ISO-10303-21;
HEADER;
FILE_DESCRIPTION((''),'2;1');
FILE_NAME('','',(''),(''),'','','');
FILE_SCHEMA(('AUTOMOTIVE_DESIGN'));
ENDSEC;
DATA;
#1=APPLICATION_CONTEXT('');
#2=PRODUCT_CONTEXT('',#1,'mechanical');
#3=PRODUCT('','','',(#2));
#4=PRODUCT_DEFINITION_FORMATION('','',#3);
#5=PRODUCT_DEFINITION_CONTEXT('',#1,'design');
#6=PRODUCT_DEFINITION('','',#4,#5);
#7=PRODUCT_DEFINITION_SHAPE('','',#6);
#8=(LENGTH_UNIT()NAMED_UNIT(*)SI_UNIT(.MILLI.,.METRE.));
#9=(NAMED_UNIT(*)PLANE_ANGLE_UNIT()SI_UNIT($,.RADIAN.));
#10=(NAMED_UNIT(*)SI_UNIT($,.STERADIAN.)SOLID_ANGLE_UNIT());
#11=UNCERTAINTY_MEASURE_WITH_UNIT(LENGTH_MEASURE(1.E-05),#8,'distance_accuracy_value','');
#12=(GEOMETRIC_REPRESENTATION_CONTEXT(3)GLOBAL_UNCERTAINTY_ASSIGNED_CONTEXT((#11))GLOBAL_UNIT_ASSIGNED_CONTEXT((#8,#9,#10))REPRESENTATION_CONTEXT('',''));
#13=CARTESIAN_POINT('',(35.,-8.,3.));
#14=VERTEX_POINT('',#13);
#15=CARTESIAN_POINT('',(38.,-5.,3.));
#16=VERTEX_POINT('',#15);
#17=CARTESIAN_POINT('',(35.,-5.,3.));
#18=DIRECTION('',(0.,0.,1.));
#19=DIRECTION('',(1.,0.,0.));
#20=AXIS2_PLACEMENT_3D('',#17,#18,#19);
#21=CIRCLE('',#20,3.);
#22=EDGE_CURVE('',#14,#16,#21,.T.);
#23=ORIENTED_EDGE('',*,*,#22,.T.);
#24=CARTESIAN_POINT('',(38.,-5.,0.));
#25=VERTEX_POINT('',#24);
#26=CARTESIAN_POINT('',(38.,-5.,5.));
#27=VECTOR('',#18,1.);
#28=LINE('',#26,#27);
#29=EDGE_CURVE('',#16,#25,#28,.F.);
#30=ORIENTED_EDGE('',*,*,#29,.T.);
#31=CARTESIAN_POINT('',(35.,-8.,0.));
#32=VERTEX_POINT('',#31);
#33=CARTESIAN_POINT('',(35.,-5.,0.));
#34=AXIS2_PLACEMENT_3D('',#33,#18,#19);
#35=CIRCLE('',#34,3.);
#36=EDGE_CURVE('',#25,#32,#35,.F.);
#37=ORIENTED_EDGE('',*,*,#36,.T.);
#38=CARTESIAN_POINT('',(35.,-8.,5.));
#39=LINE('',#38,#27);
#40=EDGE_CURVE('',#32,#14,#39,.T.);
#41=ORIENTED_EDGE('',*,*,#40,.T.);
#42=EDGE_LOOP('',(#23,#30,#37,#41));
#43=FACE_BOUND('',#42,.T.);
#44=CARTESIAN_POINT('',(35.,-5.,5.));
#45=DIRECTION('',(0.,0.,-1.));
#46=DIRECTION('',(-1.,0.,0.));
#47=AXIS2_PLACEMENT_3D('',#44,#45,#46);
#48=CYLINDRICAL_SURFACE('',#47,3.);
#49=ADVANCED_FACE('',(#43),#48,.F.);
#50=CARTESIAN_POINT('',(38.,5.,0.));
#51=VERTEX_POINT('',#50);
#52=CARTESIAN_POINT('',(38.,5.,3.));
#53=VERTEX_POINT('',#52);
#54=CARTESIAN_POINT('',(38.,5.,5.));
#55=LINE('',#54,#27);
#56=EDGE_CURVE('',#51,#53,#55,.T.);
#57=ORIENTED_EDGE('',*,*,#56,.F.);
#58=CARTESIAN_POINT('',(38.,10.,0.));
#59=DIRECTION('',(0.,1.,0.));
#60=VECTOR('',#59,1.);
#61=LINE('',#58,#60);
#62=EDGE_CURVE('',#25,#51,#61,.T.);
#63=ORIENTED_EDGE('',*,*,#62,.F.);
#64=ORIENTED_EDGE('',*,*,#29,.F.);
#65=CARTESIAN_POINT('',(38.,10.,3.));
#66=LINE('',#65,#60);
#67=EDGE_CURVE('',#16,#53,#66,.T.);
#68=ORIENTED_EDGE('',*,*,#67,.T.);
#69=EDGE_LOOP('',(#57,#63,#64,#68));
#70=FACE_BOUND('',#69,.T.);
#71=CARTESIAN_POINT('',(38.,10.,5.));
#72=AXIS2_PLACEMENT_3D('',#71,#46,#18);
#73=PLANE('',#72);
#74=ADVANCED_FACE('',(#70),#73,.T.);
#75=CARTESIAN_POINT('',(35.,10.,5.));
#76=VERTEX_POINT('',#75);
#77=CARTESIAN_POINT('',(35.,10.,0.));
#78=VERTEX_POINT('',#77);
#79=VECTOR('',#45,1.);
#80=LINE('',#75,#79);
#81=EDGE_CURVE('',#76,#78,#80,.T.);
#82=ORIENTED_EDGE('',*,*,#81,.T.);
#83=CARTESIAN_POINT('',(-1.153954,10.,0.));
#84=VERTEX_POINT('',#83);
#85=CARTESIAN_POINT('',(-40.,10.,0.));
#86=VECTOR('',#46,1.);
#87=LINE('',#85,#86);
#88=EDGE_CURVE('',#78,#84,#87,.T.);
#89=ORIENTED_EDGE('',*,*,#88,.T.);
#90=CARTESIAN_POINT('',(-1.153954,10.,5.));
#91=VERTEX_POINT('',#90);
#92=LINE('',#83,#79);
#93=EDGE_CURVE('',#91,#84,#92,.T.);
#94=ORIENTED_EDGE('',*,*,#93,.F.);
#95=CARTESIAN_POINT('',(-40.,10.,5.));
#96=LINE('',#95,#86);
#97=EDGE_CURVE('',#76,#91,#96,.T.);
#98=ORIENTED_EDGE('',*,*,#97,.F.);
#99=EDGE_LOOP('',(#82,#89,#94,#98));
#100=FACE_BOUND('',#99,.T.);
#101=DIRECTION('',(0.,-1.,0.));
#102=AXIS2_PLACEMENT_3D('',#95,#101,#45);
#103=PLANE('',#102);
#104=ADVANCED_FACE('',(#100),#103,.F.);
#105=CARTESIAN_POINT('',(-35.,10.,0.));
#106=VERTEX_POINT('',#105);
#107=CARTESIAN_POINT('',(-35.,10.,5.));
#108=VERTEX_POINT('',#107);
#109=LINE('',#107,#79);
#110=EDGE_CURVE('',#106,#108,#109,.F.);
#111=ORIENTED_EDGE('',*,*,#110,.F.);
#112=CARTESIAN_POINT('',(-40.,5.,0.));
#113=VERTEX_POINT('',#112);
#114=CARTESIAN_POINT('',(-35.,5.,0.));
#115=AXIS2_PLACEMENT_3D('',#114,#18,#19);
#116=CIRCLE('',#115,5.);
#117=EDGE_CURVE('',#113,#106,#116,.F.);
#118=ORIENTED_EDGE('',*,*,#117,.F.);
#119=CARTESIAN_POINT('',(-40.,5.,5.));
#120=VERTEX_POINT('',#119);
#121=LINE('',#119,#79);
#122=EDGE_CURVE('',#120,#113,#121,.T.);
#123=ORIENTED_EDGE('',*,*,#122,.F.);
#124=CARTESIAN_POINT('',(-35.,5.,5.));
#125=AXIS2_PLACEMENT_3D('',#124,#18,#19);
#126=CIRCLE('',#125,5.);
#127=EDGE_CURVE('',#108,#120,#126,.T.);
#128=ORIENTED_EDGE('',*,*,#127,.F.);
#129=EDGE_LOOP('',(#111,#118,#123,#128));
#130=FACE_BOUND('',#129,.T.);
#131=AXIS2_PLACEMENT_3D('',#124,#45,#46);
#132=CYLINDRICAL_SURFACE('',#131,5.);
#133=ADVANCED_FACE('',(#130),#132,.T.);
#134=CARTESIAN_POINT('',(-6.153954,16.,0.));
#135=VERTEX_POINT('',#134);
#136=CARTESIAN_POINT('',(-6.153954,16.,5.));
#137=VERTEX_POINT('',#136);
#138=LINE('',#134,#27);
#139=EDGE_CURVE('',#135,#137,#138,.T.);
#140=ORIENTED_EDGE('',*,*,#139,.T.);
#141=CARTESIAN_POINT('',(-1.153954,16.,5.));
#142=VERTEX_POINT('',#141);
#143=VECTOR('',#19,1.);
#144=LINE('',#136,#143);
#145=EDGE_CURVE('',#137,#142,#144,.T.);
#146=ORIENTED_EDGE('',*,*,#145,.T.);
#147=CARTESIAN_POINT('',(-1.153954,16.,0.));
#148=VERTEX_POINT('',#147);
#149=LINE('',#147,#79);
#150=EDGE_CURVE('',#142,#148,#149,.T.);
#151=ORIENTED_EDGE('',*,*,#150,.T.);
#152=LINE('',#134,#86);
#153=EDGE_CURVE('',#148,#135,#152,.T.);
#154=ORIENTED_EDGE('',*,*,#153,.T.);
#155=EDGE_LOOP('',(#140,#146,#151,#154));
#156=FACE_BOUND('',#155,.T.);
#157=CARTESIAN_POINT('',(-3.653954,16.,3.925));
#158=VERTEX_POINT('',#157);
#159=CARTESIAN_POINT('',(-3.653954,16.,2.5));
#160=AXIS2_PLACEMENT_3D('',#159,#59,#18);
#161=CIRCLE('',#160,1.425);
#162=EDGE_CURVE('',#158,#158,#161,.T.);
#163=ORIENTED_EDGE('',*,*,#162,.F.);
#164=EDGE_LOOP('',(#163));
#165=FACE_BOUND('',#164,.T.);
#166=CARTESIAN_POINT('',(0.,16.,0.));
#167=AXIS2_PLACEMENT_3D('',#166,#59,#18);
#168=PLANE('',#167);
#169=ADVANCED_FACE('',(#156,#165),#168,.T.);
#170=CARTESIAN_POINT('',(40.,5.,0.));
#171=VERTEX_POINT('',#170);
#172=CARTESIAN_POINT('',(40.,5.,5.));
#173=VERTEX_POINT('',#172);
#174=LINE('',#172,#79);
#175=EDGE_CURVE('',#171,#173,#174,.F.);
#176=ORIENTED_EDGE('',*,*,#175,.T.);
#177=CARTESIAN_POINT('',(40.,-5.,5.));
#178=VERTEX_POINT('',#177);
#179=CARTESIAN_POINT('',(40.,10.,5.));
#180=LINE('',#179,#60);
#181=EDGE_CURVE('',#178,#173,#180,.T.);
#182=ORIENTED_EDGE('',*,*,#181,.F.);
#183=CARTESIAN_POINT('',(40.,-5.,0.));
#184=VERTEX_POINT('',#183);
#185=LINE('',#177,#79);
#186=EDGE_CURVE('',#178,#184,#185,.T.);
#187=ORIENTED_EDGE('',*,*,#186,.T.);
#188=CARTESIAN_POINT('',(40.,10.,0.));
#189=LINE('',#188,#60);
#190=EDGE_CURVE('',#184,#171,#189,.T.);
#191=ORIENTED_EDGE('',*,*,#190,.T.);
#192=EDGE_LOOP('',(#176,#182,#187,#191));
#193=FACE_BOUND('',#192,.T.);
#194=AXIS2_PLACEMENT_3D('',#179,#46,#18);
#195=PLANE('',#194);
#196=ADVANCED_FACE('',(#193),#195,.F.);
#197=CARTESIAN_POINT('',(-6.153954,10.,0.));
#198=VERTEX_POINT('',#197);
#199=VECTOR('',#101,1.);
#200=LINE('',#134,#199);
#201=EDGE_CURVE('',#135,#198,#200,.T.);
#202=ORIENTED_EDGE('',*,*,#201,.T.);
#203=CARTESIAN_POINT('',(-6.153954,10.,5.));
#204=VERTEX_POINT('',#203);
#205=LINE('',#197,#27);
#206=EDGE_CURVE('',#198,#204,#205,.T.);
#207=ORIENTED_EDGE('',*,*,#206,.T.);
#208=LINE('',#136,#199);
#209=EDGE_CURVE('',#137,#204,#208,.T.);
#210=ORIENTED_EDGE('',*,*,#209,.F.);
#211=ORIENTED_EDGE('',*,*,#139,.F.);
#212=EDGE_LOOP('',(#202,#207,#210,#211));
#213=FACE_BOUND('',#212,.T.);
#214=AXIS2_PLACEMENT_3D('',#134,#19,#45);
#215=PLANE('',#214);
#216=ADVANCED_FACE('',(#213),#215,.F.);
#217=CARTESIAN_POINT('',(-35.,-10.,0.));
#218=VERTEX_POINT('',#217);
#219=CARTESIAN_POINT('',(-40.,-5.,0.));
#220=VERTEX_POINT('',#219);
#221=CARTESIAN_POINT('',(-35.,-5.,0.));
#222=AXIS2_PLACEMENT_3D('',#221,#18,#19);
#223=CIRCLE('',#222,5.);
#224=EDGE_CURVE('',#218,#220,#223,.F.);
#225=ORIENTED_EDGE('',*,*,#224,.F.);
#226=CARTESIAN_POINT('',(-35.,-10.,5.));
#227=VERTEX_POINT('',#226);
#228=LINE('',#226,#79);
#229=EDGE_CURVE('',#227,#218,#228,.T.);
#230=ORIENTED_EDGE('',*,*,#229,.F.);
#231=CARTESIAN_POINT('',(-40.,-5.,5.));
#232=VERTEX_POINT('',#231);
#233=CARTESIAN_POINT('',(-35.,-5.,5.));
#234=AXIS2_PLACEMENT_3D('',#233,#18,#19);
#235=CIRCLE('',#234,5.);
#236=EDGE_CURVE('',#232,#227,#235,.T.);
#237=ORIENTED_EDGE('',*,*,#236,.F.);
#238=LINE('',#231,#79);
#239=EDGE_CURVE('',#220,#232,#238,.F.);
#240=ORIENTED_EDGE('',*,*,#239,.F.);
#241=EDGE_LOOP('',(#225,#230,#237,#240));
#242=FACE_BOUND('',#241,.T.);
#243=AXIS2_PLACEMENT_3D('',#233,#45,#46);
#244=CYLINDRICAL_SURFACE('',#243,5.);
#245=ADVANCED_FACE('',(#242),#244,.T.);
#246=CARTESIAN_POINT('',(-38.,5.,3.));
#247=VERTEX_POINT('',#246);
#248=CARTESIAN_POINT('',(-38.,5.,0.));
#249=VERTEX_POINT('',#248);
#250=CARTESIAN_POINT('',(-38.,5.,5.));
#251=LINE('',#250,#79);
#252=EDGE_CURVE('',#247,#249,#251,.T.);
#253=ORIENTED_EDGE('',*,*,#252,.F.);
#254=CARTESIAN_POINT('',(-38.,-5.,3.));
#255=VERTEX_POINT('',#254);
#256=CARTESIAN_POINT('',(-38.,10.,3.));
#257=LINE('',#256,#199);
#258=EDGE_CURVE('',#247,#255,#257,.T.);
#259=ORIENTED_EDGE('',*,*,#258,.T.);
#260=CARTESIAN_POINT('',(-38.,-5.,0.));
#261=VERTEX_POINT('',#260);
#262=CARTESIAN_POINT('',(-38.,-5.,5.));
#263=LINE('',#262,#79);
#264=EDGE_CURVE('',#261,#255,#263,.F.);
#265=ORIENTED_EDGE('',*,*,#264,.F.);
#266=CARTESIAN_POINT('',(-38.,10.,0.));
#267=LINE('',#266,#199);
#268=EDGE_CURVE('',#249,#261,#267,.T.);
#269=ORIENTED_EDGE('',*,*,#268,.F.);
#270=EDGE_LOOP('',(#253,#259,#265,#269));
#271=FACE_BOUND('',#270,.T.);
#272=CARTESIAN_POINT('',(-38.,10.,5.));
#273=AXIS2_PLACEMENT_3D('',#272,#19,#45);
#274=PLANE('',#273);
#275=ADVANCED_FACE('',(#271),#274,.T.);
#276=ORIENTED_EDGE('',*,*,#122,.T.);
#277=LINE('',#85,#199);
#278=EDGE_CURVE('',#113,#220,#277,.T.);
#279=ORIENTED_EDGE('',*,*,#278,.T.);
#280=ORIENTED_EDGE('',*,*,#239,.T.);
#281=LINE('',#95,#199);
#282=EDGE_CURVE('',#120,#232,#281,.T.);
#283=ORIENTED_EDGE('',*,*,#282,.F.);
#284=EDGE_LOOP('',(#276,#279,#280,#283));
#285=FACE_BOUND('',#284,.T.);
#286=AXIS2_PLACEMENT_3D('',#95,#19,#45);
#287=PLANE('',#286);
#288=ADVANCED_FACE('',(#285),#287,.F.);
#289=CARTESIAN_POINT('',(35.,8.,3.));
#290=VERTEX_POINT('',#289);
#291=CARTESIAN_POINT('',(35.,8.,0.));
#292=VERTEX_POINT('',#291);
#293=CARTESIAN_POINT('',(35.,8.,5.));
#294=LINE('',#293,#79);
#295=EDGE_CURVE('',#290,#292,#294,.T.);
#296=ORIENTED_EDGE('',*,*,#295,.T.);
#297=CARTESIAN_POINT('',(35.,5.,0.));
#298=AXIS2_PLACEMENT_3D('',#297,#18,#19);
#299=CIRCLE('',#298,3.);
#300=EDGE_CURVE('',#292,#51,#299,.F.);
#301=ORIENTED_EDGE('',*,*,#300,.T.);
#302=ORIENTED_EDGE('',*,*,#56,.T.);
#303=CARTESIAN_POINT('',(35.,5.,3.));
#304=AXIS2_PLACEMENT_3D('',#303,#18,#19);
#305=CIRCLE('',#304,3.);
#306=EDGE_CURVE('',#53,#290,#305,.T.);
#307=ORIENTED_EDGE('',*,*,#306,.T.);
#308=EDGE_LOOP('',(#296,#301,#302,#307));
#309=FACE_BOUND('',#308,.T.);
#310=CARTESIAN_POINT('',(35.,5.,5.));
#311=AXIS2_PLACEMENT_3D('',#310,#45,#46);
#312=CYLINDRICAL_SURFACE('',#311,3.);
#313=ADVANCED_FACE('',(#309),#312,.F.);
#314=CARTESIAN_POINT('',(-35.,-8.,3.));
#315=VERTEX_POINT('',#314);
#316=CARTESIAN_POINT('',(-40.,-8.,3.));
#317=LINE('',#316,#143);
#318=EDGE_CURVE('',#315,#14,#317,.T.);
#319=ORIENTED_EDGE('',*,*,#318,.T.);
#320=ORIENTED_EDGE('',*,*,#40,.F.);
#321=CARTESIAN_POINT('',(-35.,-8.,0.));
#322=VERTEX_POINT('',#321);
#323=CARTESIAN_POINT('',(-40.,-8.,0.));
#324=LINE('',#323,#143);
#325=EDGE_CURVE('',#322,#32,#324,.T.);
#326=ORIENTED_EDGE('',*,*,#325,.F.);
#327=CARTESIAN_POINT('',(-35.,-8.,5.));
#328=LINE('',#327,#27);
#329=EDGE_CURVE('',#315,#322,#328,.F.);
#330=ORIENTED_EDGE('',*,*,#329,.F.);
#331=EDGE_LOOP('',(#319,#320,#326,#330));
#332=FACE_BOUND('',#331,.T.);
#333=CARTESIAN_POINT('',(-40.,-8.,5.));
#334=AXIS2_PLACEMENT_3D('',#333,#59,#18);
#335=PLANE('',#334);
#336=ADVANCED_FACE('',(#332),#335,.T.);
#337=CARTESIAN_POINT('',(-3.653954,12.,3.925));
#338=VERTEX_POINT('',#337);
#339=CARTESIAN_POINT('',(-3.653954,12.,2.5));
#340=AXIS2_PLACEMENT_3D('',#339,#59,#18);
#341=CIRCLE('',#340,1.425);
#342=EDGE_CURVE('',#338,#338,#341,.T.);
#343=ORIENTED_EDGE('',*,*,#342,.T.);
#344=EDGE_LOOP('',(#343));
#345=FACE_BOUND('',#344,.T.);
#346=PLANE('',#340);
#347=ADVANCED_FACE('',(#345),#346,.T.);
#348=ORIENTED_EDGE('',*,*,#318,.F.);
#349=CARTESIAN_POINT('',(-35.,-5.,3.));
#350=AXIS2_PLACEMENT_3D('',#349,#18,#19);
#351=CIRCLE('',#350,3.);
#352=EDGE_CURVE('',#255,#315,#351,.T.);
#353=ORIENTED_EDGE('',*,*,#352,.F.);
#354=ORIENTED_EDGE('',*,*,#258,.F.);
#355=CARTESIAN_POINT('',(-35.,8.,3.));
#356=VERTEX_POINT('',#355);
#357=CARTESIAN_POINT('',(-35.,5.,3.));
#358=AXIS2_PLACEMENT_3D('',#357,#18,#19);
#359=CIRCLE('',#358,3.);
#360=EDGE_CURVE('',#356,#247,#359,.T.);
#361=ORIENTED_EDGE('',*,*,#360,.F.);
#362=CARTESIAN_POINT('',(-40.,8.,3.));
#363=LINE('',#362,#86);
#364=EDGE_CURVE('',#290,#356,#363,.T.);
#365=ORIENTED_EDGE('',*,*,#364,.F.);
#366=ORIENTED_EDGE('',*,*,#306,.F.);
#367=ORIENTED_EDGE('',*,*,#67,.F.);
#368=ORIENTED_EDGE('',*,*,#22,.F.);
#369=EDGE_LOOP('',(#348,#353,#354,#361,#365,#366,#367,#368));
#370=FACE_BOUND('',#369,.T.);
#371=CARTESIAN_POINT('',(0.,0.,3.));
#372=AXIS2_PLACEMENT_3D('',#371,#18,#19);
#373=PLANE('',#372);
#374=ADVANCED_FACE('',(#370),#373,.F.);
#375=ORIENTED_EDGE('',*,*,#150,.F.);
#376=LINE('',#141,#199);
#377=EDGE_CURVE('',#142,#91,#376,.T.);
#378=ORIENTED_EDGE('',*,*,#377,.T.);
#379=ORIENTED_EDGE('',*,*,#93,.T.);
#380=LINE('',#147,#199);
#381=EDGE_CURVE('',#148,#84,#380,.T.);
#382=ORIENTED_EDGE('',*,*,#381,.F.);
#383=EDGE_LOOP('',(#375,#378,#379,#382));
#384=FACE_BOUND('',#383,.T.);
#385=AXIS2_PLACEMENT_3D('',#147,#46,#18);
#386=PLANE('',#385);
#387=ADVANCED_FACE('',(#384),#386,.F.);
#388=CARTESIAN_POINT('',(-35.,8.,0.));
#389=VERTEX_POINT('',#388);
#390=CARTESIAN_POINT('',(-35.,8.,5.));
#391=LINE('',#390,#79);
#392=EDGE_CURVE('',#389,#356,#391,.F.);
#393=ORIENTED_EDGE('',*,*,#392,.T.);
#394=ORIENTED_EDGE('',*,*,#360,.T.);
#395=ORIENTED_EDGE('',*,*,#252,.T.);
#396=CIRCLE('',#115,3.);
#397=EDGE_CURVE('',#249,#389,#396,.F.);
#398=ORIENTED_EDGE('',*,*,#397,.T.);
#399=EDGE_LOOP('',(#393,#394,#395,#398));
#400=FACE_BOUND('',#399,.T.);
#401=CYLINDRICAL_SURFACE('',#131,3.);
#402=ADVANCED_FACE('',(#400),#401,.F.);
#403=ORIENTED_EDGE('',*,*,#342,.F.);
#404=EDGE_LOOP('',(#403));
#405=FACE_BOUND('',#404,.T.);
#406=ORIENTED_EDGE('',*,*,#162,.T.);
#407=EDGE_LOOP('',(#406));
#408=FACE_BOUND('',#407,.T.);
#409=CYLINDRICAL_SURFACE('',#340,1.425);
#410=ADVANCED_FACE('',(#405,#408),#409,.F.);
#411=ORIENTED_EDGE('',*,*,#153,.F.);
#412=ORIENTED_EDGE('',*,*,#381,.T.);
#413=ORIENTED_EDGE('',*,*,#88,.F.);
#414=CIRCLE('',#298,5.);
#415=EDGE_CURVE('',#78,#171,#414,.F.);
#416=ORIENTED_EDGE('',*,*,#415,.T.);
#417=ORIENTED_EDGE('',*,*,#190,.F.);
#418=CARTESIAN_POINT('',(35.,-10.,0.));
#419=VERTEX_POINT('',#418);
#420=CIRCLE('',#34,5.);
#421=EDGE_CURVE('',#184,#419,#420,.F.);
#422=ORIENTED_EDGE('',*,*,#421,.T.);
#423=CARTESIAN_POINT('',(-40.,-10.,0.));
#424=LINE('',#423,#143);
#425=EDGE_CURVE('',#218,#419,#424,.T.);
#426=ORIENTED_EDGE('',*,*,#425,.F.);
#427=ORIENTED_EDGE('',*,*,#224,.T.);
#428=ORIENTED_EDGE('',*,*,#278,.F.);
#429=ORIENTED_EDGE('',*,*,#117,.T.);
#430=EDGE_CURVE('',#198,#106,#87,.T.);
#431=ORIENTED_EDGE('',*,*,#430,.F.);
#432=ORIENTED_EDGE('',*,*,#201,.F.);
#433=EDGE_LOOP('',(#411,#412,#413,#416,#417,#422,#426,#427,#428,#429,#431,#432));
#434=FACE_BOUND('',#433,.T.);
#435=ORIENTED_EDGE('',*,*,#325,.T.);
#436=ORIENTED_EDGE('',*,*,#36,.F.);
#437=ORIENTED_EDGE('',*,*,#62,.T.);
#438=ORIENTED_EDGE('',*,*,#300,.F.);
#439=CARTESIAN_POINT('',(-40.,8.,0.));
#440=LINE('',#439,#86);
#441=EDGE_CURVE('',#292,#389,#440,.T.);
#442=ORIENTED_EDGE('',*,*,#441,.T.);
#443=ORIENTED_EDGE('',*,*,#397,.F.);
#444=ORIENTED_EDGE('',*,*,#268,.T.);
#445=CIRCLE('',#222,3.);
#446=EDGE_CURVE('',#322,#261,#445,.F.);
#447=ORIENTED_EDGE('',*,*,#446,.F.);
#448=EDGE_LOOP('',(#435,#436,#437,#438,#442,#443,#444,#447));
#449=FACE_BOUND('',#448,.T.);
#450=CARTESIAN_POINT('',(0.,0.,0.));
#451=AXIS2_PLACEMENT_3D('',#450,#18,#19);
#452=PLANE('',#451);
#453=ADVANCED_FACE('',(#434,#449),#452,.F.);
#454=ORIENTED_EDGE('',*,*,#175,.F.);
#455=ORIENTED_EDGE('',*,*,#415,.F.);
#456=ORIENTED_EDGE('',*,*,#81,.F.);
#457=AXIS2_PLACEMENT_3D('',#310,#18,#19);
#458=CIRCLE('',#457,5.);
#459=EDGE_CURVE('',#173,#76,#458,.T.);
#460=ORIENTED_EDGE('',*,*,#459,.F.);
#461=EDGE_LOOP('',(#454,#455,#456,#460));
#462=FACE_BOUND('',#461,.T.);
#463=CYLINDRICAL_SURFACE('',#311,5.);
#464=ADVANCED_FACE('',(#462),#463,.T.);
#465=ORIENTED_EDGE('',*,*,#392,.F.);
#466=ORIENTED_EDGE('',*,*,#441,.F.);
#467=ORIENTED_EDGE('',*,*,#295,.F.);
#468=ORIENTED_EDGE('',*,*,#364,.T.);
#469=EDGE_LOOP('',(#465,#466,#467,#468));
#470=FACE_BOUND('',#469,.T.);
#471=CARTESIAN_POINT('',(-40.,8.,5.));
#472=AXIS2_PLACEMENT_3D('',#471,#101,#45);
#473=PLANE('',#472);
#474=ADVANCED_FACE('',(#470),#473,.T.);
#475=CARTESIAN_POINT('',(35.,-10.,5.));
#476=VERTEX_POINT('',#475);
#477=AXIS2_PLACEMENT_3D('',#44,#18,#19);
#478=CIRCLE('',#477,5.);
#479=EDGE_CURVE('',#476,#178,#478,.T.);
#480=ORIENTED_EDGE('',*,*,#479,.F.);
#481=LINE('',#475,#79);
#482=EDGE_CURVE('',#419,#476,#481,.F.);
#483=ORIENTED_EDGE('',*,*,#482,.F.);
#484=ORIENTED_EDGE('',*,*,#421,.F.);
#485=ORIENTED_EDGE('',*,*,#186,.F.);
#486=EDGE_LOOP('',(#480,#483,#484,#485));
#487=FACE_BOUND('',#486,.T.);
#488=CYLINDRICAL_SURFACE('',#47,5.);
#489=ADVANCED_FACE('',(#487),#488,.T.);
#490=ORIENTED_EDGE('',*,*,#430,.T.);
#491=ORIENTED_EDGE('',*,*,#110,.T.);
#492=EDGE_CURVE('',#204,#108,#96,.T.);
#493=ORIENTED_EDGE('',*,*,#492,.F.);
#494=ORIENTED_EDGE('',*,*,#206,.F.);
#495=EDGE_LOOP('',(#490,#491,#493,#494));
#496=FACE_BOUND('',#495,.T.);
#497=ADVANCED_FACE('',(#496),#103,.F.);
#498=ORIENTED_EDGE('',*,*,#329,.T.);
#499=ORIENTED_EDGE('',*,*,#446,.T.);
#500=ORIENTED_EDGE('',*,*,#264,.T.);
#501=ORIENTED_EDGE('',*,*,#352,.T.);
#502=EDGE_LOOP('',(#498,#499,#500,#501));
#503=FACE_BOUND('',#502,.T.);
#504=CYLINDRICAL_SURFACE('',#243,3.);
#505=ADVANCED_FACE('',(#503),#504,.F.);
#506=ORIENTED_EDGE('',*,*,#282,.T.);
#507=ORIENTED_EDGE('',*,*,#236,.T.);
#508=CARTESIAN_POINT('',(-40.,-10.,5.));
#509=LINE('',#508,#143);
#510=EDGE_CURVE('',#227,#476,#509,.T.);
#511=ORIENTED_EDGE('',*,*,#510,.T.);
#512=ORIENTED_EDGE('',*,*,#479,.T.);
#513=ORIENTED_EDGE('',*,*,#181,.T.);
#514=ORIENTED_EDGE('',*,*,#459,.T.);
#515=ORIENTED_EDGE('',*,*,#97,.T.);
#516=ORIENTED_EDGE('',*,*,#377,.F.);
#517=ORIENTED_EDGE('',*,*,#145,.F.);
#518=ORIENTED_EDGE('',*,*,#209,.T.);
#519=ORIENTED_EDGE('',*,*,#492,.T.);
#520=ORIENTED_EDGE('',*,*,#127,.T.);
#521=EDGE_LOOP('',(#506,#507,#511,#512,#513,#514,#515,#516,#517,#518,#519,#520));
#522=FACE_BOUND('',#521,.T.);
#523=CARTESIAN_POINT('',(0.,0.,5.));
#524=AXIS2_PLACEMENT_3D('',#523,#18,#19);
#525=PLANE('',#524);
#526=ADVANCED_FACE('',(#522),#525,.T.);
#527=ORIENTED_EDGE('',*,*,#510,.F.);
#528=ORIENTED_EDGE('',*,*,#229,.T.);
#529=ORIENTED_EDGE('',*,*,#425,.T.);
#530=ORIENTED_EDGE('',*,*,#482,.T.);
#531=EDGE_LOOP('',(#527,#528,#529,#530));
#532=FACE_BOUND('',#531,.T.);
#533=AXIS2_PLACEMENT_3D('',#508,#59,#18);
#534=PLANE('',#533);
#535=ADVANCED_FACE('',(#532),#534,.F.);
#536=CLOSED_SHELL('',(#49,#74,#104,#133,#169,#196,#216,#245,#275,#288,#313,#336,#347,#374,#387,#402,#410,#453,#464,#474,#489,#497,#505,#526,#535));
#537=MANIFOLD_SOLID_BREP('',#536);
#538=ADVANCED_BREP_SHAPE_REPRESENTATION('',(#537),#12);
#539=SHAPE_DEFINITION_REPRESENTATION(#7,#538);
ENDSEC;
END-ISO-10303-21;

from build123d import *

# Parameters (mm, degrees)
SKETCH1_W           = 80
SKETCH1_H           = 20
BOSS_EXTRUDE1_DEPTH = 5
FILLET1_R           = 5
SHELL1_T            = -2
SKETCH2_W           = 5
SKETCH2_H           = 5
BOSS_EXTRUDE2_DEPTH = 6
SKETCH3_R           = 1.425
CUT_EXTRUDE1_DEPTH  = 4


with BuildPart() as part:
    # Sketch1 → Boss-Extrude1 (new body)
    with BuildSketch(Plane.XY):
        Rectangle(SKETCH1_W, SKETCH1_H)
    extrude(amount=BOSS_EXTRUDE1_DEPTH)

    # Fillet1
    fillet1_edges = [part.edges().sort_by_distance(p)[0] for p in [
        (40, -10, 2.5),
        (-40, -10, 2.5),
        (-40, 10, 2.5),
        (40, 10, 2.5),
    ]]
    fillet(fillet1_edges, radius=FILLET1_R)

    # Shell1
    shell1_openings = [part.faces().sort_by_distance(p)[0] for p in [
        (0, 0, 0),
    ]]
    offset(amount=SHELL1_T, openings=shell1_openings, kind=Kind.INTERSECTION)

    # Sketch2 → Boss-Extrude2 (add)
    with BuildSketch(Plane(origin=(0, 10, 0), x_dir=(1, 0, 0), z_dir=(0, 1, 0))):
        with Locations((-3.653953893, -2.5)):
            Rectangle(SKETCH2_W, SKETCH2_H)
    extrude(amount=BOSS_EXTRUDE2_DEPTH)

    # Sketch3 → Cut-Extrude1 (cut)
    with BuildSketch(Plane(origin=(0, 16, 0), x_dir=(1, 0, 0), z_dir=(0, 1, 0))):
        with Locations((-3.653953893, -2.5)):
            Circle(SKETCH3_R)
    extrude(amount=-CUT_EXTRUDE1_DEPTH, mode=Mode.SUBTRACT)


solid = part.part
